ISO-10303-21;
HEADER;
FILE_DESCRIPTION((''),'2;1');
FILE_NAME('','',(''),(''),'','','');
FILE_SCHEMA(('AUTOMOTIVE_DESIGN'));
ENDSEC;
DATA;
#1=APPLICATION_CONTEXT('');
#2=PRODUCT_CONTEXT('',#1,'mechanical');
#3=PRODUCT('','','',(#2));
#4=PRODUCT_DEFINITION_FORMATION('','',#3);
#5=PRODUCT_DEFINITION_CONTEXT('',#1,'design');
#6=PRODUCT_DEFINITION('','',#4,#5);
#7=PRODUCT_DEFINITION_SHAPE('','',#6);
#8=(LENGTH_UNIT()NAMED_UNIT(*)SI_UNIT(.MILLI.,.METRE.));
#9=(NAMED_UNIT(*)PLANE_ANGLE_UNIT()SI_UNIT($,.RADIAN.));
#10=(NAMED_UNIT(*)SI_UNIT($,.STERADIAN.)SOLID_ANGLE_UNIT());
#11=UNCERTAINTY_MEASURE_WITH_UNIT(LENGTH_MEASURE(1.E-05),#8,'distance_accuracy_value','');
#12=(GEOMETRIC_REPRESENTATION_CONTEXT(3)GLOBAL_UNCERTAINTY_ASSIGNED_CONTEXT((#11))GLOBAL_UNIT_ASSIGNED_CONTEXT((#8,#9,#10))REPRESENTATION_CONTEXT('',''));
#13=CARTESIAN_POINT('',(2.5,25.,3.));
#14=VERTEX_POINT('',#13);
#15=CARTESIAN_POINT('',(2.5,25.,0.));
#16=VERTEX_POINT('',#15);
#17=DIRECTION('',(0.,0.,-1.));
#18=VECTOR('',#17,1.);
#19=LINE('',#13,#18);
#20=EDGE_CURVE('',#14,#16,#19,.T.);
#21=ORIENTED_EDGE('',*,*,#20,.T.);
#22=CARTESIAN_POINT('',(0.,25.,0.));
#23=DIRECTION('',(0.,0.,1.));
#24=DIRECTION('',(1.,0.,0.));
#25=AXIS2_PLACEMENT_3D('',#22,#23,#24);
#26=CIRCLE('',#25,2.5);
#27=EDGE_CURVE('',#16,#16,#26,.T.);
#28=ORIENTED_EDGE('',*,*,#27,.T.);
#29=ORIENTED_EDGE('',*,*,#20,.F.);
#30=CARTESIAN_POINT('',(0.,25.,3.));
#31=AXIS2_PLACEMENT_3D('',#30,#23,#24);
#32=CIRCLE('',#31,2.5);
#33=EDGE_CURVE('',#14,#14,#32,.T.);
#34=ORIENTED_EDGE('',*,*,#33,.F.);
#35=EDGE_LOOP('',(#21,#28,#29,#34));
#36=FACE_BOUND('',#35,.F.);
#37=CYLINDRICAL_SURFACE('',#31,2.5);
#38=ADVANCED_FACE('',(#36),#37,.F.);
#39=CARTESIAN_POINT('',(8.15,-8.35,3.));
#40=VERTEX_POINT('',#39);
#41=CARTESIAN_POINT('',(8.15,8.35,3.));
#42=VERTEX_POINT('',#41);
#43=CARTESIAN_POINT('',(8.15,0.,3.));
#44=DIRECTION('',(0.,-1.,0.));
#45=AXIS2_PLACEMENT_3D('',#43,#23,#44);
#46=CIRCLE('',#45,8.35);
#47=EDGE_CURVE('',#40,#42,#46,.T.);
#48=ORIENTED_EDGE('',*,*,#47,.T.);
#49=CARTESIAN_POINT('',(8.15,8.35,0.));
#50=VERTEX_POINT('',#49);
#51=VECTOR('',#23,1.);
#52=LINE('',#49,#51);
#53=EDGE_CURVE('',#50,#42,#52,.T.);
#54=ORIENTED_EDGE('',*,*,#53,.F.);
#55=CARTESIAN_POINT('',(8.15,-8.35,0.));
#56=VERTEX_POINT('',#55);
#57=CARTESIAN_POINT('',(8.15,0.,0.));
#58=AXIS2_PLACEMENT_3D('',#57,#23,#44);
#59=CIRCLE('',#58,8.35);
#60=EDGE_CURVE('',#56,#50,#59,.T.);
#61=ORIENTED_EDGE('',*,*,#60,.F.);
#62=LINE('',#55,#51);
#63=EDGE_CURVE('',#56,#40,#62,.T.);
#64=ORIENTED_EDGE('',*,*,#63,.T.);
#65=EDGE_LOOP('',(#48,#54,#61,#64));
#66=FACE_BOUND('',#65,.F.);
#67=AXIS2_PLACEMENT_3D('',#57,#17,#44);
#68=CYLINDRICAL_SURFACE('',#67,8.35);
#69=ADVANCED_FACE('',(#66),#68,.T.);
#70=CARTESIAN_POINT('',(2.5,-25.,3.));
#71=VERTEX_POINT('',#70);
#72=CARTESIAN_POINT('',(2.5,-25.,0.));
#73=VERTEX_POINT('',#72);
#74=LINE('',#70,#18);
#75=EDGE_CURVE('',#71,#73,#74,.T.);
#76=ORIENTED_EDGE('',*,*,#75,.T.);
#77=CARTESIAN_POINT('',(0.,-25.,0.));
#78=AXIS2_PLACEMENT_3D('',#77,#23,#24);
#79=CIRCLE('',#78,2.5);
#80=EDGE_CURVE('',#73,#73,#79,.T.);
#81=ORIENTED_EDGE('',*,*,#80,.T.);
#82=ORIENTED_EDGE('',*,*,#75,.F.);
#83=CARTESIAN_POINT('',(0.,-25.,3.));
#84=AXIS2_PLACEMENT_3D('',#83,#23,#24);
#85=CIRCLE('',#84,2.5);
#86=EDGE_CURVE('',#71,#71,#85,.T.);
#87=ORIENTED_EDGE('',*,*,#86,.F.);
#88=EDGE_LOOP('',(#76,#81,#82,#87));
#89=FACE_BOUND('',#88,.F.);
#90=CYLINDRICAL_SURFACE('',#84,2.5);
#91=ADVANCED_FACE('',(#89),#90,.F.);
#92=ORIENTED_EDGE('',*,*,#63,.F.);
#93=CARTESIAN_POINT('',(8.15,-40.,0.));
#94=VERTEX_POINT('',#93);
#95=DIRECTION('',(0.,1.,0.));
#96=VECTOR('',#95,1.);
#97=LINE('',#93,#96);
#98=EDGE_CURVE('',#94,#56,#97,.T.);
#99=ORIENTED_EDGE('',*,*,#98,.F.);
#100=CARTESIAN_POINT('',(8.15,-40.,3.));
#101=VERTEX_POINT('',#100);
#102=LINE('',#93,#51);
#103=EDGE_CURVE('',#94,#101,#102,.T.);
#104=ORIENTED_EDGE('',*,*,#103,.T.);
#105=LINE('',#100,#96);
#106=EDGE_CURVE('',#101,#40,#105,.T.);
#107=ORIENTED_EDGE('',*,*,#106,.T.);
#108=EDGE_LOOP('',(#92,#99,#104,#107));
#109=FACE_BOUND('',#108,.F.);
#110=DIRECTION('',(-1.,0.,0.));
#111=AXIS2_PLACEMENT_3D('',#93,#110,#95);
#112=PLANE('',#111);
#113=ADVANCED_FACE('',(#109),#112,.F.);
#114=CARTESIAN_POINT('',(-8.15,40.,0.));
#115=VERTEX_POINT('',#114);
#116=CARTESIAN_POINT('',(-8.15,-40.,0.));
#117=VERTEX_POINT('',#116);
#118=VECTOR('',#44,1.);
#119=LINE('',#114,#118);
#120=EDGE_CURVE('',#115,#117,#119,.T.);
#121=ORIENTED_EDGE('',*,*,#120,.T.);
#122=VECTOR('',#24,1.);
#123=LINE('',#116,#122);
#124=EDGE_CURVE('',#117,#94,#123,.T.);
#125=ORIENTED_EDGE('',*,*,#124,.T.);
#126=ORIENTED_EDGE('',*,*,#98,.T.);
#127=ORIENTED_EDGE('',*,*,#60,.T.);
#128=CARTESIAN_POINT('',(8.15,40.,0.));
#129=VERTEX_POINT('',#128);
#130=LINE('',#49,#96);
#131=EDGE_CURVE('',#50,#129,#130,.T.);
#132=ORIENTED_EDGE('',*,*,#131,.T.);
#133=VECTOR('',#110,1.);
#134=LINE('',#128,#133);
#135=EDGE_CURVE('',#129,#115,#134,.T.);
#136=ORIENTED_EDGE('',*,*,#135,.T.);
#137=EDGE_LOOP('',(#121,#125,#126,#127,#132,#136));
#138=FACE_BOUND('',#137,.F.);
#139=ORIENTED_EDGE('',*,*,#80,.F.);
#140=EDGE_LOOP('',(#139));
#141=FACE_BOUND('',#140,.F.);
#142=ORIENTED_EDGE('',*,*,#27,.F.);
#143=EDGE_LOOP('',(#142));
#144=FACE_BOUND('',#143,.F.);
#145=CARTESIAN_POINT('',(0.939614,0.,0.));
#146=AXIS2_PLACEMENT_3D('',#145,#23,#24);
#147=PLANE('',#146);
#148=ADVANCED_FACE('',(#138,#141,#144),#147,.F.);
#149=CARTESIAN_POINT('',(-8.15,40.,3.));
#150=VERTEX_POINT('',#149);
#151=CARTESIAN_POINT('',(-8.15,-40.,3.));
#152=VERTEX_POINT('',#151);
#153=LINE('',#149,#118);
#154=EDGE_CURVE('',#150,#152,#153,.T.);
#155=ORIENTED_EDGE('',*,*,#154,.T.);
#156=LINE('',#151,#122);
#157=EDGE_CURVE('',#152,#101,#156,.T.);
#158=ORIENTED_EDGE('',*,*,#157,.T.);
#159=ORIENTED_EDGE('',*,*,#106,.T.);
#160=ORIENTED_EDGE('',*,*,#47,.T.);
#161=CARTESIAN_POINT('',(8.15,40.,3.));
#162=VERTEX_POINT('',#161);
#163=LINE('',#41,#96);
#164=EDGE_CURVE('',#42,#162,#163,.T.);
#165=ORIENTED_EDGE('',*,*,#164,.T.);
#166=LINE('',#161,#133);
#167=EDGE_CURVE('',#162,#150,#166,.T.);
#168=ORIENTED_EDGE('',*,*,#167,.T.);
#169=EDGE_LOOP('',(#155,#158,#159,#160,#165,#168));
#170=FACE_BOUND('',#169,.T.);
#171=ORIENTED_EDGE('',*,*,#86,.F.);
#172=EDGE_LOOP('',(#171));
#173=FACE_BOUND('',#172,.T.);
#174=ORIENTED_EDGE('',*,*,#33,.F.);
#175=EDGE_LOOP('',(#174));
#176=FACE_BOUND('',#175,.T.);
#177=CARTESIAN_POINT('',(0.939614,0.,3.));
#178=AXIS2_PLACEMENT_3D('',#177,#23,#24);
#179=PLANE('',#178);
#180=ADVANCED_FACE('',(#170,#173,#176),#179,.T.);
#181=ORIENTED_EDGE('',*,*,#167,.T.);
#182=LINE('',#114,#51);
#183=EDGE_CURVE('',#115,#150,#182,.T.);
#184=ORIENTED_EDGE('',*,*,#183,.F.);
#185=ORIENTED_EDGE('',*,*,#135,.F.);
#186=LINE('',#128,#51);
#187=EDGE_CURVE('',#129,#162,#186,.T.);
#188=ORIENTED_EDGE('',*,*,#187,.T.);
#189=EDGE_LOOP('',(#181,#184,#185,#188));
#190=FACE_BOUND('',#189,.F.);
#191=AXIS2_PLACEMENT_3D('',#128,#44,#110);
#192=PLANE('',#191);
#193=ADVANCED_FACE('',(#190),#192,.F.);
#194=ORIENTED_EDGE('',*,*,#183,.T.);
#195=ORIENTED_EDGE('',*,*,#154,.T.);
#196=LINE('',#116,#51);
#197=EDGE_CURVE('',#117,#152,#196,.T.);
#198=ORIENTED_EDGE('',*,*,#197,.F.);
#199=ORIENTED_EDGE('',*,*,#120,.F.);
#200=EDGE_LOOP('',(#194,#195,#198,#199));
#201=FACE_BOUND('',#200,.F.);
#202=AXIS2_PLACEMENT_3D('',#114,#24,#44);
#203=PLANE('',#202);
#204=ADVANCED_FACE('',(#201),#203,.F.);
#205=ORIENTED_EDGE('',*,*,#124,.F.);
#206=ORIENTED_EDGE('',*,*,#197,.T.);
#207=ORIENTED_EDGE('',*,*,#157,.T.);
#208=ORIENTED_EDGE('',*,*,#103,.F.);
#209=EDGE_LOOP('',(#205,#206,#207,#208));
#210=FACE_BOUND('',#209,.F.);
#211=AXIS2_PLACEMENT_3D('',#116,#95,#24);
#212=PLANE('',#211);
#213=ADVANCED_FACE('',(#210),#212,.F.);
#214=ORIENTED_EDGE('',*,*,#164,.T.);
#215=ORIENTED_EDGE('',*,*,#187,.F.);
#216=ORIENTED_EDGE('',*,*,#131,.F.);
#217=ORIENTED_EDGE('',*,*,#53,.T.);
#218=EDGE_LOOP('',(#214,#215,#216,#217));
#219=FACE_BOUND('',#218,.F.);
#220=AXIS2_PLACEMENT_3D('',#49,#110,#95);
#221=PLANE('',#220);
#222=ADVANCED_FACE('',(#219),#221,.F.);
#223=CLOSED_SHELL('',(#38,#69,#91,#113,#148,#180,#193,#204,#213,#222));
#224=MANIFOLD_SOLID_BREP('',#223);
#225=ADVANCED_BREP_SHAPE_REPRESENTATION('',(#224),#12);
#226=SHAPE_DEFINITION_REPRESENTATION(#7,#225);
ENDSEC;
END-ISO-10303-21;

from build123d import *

# Parameters (mm, degrees)
PAD_DEPTH    = 3
SKETCH001_R  = 2.5
POCKET_DEPTH = 5


with BuildPart() as part:
    # Sketch → Pad (new body)
    with BuildSketch(Plane.XY):
        with BuildLine():
            Line((-8.15, 40), (-8.15, -40))
            Line((-8.15, -40), (8.15, -40))
            Line((8.15, -40), (8.15, -8.35))
            ThreePointArc((8.15, -8.35), (16.5, 0), (8.15, 8.35))
            Line((8.15, 8.35), (8.15, 40))
            Line((8.15, 40), (-8.15, 40))
        make_face()
    extrude(amount=PAD_DEPTH)

    # Sketch001 (on Face8 of Pad) → Pocket (cut)
    with BuildSketch(Plane.XY.offset(3)):
        with Locations((0, 25)):
            Circle(SKETCH001_R)
        with Locations((0, -25)):
            Circle(SKETCH001_R)
    extrude(amount=-POCKET_DEPTH, mode=Mode.SUBTRACT)


solid = part.part
